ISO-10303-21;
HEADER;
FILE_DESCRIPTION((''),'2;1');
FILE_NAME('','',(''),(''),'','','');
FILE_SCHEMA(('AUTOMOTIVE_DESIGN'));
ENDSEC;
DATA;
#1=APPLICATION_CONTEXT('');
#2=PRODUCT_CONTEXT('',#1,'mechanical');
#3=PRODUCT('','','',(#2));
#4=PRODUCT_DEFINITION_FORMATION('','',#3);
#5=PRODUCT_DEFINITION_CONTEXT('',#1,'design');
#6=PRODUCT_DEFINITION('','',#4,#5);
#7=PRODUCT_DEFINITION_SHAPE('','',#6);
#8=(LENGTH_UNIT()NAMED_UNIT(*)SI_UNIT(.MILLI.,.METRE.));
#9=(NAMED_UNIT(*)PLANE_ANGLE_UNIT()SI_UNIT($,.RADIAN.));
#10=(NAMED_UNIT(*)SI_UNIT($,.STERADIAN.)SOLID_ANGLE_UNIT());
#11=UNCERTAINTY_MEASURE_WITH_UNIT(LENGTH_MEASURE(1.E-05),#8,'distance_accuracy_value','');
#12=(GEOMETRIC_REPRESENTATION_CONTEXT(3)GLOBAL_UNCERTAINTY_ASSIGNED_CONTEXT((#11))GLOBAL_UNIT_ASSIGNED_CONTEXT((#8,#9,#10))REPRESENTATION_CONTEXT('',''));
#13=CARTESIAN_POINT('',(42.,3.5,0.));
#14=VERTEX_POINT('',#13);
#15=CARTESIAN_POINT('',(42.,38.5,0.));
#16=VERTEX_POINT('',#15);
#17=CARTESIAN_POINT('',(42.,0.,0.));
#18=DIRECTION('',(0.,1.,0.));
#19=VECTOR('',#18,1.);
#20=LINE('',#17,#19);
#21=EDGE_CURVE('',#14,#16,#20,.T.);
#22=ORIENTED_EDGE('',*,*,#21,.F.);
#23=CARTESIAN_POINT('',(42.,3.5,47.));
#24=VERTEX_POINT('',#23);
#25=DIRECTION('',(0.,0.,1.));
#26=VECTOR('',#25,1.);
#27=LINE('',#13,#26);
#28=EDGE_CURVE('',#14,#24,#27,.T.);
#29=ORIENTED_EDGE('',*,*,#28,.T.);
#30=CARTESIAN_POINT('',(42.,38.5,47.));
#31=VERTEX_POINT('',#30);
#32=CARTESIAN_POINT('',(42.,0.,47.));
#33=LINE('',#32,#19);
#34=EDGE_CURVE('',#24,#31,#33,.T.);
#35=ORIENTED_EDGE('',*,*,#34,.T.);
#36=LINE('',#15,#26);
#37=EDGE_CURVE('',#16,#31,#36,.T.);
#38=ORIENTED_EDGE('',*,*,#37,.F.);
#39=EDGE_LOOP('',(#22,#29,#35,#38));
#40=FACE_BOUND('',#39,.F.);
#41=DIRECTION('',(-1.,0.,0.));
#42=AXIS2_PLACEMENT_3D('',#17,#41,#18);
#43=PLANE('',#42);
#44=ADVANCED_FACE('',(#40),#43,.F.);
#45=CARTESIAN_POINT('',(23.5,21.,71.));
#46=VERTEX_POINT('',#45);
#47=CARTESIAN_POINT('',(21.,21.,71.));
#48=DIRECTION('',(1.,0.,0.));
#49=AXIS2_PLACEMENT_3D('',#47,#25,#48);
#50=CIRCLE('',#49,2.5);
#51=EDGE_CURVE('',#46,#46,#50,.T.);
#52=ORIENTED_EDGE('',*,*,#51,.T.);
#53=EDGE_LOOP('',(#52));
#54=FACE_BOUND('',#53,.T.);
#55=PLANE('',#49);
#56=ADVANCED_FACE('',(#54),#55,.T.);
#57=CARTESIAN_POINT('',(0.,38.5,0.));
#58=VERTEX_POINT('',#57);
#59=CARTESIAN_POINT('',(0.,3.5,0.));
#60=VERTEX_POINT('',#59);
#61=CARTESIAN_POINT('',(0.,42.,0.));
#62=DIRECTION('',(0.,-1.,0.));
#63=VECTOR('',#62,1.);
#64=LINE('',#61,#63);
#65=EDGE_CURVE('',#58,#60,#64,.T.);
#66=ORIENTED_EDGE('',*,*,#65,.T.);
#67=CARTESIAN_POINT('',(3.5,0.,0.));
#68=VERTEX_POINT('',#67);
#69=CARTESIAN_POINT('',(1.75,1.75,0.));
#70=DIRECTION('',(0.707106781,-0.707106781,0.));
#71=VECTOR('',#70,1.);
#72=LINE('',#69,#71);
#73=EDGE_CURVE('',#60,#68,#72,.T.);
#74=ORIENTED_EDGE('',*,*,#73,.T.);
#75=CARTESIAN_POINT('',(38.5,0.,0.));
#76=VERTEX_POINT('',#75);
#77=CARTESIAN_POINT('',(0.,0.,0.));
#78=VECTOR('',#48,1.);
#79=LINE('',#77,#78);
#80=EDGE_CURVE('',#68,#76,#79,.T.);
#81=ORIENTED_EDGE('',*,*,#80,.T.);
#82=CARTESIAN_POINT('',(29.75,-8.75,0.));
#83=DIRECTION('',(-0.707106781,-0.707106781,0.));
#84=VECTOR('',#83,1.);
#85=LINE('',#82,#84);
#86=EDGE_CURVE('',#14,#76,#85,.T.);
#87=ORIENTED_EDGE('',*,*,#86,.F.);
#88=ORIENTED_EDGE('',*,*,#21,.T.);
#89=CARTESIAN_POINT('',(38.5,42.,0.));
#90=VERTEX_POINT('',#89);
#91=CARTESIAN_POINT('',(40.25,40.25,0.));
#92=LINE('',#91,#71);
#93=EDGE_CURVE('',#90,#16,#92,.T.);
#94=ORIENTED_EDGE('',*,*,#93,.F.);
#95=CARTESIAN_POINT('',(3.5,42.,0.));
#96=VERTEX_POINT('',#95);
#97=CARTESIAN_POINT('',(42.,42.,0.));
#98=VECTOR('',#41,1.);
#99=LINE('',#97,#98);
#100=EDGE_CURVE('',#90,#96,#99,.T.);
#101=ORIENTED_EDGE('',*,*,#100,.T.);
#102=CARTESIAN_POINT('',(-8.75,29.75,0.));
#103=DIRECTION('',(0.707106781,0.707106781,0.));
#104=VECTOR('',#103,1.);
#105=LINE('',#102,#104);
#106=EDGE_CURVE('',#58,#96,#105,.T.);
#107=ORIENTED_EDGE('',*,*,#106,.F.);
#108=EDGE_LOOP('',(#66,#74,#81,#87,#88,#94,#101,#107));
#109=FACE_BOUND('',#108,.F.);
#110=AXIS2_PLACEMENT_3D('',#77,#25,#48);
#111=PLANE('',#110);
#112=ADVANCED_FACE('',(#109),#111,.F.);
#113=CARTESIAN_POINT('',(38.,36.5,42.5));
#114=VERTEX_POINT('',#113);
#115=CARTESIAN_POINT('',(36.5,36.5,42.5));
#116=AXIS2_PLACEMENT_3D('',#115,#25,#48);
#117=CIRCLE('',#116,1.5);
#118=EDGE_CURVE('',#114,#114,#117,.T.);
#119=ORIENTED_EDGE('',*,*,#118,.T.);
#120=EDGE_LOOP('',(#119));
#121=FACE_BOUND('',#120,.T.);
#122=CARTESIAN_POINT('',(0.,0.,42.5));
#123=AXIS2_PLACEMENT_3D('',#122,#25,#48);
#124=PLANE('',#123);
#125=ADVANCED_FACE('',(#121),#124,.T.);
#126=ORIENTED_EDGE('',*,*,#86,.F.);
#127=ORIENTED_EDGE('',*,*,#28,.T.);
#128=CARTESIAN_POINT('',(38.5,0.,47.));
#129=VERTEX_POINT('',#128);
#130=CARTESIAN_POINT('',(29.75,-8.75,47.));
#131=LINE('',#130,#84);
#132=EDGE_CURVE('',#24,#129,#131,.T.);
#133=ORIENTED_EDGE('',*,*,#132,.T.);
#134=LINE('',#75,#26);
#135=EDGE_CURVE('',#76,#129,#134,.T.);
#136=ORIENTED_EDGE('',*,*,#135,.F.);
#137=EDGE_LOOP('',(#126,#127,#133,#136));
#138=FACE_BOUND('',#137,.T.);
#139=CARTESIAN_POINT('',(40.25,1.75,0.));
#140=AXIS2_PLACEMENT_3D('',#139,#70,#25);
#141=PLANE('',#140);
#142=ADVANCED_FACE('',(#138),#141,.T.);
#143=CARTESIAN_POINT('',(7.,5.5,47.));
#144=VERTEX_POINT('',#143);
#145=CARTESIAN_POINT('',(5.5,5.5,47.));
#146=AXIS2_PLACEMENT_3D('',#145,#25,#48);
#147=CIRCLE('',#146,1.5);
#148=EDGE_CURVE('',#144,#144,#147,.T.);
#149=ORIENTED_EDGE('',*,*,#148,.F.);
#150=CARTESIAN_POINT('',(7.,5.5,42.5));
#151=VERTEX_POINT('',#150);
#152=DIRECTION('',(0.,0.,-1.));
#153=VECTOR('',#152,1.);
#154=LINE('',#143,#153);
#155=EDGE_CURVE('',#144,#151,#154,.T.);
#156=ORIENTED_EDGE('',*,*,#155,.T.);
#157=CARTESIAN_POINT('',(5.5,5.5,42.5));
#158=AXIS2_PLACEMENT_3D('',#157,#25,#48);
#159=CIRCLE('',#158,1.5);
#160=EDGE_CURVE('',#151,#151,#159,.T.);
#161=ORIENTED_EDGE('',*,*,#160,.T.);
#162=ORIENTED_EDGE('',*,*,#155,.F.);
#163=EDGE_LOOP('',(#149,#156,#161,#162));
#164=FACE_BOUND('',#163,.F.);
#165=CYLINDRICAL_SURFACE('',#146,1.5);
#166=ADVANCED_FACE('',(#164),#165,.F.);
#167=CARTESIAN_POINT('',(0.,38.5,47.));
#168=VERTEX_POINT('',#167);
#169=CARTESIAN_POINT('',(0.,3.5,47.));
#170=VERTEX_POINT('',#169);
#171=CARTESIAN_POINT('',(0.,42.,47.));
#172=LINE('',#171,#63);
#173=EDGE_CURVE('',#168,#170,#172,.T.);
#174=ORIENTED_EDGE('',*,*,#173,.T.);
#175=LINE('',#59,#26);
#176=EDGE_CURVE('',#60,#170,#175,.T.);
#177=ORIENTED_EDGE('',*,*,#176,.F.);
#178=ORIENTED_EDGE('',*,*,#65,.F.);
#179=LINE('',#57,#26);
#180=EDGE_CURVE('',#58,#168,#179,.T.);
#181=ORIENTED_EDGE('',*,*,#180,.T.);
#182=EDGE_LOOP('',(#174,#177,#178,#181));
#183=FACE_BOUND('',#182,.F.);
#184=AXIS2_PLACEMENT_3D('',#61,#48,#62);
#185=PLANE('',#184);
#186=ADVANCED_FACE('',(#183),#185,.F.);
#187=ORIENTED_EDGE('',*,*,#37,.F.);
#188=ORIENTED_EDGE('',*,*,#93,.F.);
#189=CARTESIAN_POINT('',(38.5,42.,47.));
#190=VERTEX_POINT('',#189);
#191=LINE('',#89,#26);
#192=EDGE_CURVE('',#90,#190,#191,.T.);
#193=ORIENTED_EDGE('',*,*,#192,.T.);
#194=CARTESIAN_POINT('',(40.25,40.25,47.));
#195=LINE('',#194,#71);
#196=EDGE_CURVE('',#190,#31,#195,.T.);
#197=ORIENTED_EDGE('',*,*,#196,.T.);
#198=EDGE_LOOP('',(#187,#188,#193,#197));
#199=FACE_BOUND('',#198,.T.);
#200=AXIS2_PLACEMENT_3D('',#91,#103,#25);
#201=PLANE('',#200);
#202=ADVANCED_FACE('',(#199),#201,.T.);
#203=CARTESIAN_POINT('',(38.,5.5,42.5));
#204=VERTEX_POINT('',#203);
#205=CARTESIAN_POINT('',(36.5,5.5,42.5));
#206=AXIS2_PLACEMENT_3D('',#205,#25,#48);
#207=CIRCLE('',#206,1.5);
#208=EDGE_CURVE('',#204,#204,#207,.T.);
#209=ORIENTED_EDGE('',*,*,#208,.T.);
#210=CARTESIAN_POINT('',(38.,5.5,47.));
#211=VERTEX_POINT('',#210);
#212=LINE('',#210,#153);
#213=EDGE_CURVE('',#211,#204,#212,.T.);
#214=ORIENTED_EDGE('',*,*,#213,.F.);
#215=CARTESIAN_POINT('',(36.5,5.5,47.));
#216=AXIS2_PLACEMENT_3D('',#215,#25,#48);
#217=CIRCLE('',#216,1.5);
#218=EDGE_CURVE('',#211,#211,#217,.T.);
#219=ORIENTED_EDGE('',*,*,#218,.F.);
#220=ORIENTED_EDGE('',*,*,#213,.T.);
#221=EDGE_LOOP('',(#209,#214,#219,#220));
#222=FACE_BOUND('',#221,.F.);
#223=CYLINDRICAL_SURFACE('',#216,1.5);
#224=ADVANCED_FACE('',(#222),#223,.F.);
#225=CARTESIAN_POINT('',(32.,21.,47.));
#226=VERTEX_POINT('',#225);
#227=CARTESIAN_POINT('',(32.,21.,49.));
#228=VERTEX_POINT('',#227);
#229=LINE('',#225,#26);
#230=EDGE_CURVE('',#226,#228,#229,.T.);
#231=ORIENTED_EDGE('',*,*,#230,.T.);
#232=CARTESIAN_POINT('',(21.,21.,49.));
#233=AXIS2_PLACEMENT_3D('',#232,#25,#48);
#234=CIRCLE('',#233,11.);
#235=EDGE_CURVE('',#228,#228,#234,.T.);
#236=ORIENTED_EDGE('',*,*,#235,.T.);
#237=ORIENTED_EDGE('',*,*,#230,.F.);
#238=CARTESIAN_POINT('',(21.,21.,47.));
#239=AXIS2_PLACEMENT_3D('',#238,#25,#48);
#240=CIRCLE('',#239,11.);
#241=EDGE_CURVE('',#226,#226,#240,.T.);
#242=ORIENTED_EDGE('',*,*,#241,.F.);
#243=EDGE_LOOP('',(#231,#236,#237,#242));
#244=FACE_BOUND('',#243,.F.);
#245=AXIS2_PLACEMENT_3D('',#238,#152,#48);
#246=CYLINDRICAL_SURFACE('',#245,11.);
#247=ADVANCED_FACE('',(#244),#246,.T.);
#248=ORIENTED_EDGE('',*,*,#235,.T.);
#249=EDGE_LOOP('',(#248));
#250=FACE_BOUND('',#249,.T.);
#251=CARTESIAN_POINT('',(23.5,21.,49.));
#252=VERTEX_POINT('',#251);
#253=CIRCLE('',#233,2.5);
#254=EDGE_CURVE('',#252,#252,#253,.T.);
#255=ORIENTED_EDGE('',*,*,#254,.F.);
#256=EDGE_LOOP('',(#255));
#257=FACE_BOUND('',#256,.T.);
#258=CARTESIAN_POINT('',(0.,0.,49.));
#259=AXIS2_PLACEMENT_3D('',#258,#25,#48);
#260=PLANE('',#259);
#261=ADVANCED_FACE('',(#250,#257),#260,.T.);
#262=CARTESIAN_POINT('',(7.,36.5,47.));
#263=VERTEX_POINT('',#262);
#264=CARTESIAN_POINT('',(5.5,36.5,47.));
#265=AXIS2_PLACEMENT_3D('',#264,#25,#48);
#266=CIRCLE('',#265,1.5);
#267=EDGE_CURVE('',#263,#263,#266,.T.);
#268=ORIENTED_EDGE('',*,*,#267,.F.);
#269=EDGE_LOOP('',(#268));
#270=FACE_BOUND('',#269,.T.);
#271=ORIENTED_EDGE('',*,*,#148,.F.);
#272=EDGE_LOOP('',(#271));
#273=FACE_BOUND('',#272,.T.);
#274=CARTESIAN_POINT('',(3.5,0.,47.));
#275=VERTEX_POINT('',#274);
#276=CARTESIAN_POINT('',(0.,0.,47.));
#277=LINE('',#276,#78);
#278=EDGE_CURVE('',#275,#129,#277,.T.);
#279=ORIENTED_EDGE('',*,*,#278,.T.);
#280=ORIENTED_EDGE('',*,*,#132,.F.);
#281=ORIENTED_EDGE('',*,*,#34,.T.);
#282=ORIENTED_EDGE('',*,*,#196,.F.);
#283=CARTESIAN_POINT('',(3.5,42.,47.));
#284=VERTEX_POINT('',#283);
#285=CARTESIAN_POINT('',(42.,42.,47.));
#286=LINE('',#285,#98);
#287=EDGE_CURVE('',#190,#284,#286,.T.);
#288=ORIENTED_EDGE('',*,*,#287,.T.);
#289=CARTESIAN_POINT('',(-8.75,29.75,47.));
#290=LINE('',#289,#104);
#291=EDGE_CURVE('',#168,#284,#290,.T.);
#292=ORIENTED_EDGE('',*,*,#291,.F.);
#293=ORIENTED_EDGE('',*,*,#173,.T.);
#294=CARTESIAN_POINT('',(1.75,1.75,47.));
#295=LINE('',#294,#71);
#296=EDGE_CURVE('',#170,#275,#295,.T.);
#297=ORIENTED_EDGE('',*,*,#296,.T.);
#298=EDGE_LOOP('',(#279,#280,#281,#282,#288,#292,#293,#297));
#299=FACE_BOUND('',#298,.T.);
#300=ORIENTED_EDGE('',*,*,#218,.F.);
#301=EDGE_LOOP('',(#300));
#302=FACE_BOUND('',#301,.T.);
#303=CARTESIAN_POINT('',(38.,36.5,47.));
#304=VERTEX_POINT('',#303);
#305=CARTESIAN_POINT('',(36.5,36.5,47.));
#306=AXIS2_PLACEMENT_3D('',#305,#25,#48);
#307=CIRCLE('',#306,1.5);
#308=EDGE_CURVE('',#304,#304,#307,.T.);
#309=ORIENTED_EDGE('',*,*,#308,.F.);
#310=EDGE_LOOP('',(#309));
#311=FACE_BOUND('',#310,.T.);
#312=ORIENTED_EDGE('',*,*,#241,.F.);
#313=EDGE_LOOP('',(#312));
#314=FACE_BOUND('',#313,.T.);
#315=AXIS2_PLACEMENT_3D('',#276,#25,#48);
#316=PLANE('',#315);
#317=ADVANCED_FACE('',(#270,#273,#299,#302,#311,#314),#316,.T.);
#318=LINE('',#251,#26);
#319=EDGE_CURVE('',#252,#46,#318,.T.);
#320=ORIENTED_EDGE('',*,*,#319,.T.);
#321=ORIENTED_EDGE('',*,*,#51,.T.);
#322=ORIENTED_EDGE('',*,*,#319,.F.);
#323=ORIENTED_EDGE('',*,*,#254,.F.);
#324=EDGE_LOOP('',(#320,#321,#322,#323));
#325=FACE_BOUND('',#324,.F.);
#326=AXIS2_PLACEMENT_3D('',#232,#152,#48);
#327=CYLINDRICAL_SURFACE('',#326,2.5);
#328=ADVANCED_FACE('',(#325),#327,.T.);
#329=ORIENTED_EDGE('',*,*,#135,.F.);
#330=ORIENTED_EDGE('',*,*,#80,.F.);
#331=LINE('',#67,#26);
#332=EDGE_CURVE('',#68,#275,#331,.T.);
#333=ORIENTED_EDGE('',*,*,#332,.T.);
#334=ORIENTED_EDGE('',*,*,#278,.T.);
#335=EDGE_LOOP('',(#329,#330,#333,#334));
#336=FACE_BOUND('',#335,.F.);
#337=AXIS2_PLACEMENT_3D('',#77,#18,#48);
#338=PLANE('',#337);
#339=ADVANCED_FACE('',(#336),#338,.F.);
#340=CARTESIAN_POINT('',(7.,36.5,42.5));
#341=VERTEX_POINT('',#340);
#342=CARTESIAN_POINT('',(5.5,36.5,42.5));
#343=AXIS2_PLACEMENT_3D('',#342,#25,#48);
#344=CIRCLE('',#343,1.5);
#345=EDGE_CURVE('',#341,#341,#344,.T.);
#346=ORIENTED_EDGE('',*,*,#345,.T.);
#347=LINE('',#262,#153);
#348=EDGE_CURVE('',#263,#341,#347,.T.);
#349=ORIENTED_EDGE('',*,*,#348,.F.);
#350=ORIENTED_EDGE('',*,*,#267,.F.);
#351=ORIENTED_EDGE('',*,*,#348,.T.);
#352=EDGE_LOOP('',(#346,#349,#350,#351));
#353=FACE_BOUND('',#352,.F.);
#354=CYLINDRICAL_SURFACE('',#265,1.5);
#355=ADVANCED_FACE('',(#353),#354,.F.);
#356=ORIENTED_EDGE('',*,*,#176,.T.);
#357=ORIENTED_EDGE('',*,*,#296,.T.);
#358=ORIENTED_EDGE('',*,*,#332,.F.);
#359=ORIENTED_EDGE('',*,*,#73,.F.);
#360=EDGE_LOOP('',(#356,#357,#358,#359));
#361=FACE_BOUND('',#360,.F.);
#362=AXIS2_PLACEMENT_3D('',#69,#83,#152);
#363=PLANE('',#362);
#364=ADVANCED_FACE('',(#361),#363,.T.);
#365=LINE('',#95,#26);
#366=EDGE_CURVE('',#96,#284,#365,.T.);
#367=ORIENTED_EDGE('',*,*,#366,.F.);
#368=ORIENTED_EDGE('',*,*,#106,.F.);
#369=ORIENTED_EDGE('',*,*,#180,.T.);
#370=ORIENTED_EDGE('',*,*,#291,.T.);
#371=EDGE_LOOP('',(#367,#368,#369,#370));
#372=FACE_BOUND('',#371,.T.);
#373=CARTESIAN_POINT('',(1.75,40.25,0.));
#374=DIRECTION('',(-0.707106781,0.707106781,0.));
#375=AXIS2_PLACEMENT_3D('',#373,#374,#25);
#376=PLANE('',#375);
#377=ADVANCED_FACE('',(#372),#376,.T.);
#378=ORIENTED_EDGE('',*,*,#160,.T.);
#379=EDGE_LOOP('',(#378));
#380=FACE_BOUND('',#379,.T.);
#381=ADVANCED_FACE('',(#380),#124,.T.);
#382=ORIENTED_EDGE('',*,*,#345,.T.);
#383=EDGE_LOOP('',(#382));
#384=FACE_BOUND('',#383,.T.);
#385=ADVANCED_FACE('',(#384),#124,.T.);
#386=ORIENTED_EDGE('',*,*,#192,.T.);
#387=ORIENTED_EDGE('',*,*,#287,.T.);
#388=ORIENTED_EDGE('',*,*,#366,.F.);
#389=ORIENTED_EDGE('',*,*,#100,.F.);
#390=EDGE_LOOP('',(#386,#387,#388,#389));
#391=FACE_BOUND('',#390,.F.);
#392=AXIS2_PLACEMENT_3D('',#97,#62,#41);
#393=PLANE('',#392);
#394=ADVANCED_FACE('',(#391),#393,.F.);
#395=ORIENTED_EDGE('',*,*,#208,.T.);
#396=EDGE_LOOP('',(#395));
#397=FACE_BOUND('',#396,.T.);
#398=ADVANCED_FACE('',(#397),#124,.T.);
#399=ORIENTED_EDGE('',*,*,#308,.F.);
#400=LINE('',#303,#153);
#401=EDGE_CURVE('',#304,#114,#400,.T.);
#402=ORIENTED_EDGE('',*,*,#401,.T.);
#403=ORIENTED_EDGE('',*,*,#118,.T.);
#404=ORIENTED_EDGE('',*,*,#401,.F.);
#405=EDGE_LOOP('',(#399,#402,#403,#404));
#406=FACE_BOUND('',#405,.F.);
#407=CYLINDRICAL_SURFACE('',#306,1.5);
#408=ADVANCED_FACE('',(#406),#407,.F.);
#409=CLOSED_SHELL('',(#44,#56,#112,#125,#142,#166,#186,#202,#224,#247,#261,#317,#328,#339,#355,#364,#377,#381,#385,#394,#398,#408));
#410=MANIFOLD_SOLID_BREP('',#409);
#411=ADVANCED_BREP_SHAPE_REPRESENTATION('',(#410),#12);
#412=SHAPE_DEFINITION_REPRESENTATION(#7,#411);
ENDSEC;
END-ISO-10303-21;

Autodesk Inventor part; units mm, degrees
ref_plane "YZ Plane" through (0, 0, 0) normal (1, 0, 0) x (0, 1, 0)
ref_plane "XZ Plane" through (0, 0, 0) normal (0, 1, 0) x (-1, 0, 0)
ref_plane "XY Plane" through (0, 0, 0) normal (0, 0, 1) x (1, 0, 0)
sketch "Sketch1" plane through (0, 0, 0) normal (0, 0, 1) x (1, 0, 0)
  line L0 (0, 0) -> (42, 0)
  line L1 (42, 0) -> (42, 42)
  line L2 (42, 42) -> (0, 42)
  line L3 (0, 42) -> (0, 0)
  dimension "d0" = 42
  dimension "d1" = 42
extrude "Extrusion1" add sketch "Sketch1" along normal blind 47
chamfer "Chamfer1" distance 3.5 angle 45 4 edges at (0, 42, 23.5) (0, 0, 23.5) (42, 0, 23.5) (42, 42, 23.5)
sketch "Sketch2" plane through (0, 0, 47) normal (0, 0, 1) x (1, 0, 0)
  circle A0 centre (21, 21) radius 11
  point P0 (0, 0)
  dimension "d7" = 22
extrude "Extrusion2" add sketch "Sketch2" along normal blind 2
sketch "Sketch3" plane through (21, 21, 49) normal (0, 0, 1) x (1, 0, 0)
  circle A0 centre (0, 0) radius 11 projected
  circle A1 centre (0, 0) radius 2.5
  point P0 (-21, -21)
  dimension "d10" = 5
extrude "Extrusion3" add sketch "Sketch3" along normal blind 22 contours A1
sketch "Sketch4" plane through (0, 0, 47) normal (0, 0, 1) x (1, 0, 0)
  line L0 (0, 38.5) -> (0, 3.5) projected
  line L1 (3.5, 0) -> (38.5, 0) projected
  circle A0 centre (5.5, 36.5) radius 1.5
  circle A1 centre (36.5, 36.5) radius 1.5
  circle A2 centre (36.5, 5.5) radius 1.5
  circle A3 centre (5.5, 5.5) radius 1.5
  point P0 (0, 0)
  dimension "d13" = 3
  dimension "d14" = 3
  dimension "d15" = 3
  dimension "d16" = 3
  dimension "d17" = 31
  dimension "d18" = 31
  dimension "d19" = 31
  dimension "d20" = 31
  dimension "d21" = 5.5
  dimension "d22" = 5.5
extrude "Extrusion4" cut sketch "Sketch4" against normal blind 4.5
properties part number "NEMA17StepperMotor"
